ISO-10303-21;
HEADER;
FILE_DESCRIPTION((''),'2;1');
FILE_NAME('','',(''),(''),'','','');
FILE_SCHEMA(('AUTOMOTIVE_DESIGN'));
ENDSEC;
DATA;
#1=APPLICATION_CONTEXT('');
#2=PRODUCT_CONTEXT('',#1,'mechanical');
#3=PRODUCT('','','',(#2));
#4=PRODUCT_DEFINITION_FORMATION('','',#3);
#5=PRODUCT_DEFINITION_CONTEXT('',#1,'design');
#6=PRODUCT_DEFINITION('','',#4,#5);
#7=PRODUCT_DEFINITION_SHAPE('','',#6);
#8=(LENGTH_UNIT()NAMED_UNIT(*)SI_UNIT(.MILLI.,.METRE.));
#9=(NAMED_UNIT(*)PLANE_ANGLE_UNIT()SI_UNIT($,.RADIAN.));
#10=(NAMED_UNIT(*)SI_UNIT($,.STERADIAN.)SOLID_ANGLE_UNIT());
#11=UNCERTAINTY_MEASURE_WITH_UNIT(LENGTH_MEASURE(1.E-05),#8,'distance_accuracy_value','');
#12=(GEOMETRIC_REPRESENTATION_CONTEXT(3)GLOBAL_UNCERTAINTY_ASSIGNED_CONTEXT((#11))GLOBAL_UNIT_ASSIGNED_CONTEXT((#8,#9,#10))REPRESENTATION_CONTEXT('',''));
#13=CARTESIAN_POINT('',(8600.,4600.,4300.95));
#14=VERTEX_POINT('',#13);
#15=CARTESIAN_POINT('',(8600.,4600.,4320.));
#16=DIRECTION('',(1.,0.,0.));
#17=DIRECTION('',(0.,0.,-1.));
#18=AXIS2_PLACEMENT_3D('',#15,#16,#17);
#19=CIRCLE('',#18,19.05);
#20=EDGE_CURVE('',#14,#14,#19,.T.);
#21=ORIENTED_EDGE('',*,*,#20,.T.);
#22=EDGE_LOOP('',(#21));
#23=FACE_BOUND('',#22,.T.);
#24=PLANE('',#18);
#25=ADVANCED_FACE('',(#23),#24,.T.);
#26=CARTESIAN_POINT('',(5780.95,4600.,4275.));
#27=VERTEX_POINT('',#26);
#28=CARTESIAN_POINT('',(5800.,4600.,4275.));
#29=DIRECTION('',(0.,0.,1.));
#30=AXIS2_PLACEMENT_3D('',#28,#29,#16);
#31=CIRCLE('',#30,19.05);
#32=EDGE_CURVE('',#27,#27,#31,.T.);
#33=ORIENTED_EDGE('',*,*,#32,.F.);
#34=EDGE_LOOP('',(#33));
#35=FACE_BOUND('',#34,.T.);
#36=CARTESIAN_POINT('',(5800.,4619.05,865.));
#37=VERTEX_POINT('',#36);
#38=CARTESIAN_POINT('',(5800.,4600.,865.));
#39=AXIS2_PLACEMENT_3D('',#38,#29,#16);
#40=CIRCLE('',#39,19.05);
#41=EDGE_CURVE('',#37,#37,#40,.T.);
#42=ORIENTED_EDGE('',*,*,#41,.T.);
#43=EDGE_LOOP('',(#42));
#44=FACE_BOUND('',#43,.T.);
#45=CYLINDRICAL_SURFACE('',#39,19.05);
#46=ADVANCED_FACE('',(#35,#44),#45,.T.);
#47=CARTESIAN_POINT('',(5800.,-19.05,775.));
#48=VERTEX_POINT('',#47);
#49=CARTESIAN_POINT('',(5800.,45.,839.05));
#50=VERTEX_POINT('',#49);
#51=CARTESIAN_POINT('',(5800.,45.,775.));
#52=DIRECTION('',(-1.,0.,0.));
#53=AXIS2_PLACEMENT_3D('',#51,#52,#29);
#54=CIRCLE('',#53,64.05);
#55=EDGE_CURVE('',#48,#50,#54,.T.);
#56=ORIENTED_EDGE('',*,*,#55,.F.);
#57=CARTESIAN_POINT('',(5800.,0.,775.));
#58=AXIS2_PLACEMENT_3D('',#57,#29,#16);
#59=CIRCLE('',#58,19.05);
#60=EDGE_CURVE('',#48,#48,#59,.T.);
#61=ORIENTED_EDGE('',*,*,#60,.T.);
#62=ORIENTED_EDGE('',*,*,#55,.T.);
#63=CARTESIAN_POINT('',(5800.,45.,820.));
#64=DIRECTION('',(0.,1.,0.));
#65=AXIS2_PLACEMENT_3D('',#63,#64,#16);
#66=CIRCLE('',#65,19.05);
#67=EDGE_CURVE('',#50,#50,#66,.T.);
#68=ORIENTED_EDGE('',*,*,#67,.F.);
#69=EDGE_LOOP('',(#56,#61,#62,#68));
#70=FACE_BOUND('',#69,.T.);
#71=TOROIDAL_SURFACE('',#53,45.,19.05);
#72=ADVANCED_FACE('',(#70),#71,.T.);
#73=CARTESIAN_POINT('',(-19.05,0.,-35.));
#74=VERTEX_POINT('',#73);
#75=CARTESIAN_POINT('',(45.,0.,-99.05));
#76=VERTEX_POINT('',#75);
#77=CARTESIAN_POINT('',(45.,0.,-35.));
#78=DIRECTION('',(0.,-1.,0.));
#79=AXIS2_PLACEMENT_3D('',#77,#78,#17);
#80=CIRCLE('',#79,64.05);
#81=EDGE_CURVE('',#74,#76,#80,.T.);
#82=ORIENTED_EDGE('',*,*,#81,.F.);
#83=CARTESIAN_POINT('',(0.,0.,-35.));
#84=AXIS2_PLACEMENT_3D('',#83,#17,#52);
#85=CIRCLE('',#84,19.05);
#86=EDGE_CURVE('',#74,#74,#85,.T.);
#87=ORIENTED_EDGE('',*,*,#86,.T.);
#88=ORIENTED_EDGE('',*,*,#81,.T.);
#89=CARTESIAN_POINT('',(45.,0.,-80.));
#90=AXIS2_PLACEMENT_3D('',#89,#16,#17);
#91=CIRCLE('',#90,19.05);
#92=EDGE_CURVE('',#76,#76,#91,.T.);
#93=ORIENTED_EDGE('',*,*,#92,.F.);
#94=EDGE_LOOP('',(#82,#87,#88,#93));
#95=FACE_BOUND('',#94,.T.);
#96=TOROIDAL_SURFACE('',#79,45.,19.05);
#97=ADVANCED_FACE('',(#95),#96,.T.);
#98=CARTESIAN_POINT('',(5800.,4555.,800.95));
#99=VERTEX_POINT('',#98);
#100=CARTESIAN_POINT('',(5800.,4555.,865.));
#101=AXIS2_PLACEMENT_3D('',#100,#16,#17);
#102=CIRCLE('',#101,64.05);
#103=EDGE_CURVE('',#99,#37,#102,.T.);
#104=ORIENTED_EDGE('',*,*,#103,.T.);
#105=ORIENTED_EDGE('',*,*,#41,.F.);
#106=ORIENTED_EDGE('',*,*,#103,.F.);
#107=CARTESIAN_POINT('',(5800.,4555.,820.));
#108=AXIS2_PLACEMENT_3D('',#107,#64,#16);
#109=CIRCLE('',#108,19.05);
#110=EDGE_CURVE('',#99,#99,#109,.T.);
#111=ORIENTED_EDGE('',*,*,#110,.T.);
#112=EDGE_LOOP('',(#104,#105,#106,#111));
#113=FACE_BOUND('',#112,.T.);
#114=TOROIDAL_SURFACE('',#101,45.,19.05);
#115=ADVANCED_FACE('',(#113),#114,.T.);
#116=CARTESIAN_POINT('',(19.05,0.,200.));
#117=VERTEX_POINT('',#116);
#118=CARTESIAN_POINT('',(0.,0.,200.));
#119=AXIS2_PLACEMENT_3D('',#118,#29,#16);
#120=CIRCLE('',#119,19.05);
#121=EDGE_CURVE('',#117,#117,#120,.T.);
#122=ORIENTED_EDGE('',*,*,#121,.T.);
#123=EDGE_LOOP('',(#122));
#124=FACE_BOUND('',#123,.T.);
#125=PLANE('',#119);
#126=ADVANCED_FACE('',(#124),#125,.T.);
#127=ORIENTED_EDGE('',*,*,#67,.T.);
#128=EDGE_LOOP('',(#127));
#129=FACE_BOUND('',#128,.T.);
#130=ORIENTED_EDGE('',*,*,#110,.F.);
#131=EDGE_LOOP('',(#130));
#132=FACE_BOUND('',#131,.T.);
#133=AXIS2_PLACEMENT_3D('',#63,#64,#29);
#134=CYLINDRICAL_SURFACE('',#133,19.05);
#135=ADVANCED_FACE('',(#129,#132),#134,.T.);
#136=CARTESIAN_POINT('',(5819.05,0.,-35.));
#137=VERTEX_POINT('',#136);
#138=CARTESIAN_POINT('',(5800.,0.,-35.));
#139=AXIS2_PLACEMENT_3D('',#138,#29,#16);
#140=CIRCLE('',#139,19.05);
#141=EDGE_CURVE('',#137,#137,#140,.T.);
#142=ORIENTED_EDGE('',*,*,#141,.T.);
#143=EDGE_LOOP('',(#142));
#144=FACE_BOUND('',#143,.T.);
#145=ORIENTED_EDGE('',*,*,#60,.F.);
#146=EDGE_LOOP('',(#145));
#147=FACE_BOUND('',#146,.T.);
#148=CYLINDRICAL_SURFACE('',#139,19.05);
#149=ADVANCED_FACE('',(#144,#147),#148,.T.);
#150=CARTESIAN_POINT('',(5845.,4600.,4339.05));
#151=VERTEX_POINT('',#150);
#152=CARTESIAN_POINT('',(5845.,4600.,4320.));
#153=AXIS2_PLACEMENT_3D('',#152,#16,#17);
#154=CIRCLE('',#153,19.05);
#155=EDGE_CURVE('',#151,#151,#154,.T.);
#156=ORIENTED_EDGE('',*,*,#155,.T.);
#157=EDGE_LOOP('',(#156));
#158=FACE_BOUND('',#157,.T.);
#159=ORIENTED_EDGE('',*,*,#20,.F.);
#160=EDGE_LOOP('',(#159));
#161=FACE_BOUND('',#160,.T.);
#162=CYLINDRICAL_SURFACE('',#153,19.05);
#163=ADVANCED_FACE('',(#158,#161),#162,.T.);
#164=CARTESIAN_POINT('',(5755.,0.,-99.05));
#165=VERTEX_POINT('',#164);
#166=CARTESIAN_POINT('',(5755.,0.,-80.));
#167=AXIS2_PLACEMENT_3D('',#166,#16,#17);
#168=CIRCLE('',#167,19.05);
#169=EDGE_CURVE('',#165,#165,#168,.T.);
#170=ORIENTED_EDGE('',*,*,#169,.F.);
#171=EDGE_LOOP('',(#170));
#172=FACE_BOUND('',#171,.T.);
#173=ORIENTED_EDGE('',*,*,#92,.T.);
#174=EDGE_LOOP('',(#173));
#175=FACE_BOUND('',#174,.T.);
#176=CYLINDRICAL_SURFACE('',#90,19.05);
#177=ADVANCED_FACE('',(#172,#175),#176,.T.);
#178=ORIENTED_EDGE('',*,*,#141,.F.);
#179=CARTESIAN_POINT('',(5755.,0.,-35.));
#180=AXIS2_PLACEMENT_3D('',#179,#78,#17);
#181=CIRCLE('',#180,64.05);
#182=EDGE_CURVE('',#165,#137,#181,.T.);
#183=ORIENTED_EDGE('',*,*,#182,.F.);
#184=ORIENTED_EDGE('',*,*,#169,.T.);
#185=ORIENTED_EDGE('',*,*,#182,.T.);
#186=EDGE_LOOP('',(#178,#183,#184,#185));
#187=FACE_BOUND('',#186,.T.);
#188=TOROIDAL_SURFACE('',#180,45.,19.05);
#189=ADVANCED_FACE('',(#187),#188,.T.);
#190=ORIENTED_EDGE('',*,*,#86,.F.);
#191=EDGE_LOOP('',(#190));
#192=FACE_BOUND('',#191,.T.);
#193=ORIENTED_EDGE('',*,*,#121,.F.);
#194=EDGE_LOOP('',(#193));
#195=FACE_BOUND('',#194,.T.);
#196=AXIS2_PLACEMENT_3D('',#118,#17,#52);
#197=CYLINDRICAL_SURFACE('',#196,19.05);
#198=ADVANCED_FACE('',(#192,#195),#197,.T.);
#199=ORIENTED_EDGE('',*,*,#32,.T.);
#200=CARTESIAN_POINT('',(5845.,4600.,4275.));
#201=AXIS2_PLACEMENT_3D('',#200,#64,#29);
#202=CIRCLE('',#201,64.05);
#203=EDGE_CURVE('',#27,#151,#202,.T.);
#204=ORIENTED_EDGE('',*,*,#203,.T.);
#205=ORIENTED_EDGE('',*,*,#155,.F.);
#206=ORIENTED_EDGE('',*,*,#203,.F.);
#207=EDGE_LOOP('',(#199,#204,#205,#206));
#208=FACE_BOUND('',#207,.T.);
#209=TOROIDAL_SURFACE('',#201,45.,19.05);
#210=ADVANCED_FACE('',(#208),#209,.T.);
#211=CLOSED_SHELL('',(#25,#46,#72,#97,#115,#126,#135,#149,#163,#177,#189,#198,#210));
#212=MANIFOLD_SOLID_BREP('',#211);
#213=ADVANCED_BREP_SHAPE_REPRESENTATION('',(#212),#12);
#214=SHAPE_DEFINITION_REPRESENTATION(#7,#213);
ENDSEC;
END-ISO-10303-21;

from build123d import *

# Parameters (mm, degrees)
CROQUIS1_R              = 19.05
SALIENTE_EXTRUIR1_DEPTH = 200
CROQUIS2_R              = 19.05


with BuildPart() as part:
    # Croquis1 → Saliente-Extruir1 (new body)
    with BuildSketch(Plane.XY):
        Circle(CROQUIS1_R)
    extrude(amount=SALIENTE_EXTRUIR1_DEPTH)

    # Barrer1: sweep along a curve in space
    with BuildLine() as barrer1_path:
        Line((0, 0, 0), (0, 0, -35))
        ThreePointArc((0, 0, -35), (13.180194847, 0, -66.819805153), (45, 0, -80))
        Line((45, 0, -80), (5755, 0, -80))
        ThreePointArc((5755, 0, -80), (5786.819805153, 0, -66.819805153), (5800, 0, -35))
        Line((5800, 0, -35), (5800, 0, 775))
        ThreePointArc((5800, 0, 775), (5800, 13.180194847, 806.819805153), (5800, 45, 820))
        Line((5800, 45, 820), (5800, 4555, 820))
        ThreePointArc((5800, 4555, 820), (5800, 4586.819805153, 833.180194847), (5800, 4600, 865))
        Line((5800, 4600, 865), (5800, 4600, 4275))
        ThreePointArc((5800, 4600, 4275), (5813.180194847, 4600, 4306.819805153), (5845, 4600, 4320))
        Line((5845, 4600, 4320), (8600, 4600, 4320))
    # Croquis2 → Barrer1 (sweep)
    with BuildSketch(Plane(origin=(0, 0, 0), x_dir=(-1, 0, 0), z_dir=(0, 0, -1))):
        Circle(CROQUIS2_R)
    sweep(path=barrer1_path.line)


solid = part.part
